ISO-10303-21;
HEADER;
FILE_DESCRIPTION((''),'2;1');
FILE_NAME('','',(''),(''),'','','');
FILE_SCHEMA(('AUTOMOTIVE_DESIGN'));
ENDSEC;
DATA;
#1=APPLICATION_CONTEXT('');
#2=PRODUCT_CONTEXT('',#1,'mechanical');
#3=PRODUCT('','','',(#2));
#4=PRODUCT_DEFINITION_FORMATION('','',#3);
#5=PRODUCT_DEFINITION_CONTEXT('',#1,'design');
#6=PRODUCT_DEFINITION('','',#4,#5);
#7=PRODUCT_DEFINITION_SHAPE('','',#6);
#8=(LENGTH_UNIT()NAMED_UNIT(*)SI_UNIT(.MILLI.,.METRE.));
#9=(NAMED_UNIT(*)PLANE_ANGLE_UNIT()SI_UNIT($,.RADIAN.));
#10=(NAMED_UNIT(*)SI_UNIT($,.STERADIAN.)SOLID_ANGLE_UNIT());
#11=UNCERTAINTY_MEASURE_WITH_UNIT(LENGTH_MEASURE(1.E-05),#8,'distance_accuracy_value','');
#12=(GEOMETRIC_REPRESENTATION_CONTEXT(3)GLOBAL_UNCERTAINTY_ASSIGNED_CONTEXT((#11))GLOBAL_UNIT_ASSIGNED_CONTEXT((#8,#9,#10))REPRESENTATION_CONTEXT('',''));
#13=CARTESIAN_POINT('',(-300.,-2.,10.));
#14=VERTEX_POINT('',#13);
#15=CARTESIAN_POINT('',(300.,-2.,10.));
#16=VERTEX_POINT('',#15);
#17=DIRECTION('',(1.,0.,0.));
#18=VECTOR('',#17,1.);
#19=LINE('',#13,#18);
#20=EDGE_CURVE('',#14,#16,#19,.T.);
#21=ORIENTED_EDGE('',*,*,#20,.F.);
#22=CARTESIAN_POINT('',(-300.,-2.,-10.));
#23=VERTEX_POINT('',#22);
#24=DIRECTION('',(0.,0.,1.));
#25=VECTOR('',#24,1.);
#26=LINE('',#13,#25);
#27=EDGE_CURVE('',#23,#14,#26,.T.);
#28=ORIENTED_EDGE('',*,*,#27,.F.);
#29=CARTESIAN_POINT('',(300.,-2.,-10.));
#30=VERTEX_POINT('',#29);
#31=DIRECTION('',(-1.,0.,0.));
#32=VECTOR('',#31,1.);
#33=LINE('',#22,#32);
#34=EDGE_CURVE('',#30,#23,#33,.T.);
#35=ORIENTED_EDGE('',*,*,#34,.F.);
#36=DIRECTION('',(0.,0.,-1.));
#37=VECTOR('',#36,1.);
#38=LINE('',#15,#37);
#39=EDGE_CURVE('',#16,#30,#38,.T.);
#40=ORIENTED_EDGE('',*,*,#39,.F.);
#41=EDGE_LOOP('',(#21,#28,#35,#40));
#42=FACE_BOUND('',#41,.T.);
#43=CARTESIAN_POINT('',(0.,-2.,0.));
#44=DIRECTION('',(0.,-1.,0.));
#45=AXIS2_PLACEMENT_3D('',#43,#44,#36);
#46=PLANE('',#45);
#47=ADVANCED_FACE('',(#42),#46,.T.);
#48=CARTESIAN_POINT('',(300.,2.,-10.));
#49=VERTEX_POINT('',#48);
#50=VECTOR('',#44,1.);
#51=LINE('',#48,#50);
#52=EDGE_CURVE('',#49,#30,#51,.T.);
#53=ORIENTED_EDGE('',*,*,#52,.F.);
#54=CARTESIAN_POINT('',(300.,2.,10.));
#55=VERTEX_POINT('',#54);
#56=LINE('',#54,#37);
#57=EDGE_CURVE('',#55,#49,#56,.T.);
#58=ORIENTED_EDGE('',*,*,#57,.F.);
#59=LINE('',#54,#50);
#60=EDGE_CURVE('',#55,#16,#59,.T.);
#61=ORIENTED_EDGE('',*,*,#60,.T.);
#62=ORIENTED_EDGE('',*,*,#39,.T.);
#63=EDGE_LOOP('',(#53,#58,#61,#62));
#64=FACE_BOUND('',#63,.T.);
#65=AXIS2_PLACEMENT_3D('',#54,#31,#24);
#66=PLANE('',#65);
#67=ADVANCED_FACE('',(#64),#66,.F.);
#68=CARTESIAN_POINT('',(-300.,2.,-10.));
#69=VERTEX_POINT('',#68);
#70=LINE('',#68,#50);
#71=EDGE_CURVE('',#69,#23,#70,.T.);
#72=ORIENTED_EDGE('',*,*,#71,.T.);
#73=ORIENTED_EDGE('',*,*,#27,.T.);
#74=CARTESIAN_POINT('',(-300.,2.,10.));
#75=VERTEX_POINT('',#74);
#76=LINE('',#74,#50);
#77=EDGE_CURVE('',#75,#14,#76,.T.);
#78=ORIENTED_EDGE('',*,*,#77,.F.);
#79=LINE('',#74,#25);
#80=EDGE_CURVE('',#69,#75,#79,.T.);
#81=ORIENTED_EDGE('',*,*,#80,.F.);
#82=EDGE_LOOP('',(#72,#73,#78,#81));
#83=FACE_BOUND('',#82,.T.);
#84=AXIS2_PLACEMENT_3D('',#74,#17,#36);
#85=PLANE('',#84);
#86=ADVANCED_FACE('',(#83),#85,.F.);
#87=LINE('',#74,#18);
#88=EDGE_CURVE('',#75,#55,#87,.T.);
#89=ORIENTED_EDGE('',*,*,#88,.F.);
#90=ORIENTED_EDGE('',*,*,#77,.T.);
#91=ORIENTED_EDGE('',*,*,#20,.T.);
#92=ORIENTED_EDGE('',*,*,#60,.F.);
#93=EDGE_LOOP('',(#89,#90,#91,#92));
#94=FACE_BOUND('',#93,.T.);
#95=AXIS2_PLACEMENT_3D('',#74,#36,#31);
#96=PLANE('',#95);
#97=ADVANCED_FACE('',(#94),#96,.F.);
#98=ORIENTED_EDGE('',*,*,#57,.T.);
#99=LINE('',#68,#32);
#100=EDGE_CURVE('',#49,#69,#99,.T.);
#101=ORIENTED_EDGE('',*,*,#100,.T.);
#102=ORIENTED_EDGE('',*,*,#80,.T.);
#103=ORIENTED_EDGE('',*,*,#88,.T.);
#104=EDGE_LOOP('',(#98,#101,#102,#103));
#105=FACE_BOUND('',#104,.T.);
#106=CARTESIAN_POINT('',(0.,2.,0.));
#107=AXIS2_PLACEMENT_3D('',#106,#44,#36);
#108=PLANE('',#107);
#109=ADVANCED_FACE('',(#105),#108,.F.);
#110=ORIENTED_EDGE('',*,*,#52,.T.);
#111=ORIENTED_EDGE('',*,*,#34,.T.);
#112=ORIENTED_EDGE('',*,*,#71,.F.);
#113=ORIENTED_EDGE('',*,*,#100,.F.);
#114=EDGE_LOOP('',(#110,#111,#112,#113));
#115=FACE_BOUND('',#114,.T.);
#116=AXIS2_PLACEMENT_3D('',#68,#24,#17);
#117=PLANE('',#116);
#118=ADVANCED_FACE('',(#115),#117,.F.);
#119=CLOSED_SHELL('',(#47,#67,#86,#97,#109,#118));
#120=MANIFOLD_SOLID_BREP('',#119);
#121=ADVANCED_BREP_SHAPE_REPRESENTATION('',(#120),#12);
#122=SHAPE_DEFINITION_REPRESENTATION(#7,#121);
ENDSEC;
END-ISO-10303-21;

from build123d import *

# Parameters (mm, degrees)
ESQUISSE1_W        = 600
ESQUISSE1_H        = 20
BOSS_EXTRU_1_DEPTH = 2


with BuildPart() as part:
    # Esquisse1 → Boss.-Extru.1 (new, symmetric)
    with BuildSketch(Plane(origin=(0, 0, 0), x_dir=(1, 0, 0), z_dir=(0, 1, 0))):
        Rectangle(ESQUISSE1_W, ESQUISSE1_H)
    extrude(amount=BOSS_EXTRU_1_DEPTH, both=True)


solid = part.part
